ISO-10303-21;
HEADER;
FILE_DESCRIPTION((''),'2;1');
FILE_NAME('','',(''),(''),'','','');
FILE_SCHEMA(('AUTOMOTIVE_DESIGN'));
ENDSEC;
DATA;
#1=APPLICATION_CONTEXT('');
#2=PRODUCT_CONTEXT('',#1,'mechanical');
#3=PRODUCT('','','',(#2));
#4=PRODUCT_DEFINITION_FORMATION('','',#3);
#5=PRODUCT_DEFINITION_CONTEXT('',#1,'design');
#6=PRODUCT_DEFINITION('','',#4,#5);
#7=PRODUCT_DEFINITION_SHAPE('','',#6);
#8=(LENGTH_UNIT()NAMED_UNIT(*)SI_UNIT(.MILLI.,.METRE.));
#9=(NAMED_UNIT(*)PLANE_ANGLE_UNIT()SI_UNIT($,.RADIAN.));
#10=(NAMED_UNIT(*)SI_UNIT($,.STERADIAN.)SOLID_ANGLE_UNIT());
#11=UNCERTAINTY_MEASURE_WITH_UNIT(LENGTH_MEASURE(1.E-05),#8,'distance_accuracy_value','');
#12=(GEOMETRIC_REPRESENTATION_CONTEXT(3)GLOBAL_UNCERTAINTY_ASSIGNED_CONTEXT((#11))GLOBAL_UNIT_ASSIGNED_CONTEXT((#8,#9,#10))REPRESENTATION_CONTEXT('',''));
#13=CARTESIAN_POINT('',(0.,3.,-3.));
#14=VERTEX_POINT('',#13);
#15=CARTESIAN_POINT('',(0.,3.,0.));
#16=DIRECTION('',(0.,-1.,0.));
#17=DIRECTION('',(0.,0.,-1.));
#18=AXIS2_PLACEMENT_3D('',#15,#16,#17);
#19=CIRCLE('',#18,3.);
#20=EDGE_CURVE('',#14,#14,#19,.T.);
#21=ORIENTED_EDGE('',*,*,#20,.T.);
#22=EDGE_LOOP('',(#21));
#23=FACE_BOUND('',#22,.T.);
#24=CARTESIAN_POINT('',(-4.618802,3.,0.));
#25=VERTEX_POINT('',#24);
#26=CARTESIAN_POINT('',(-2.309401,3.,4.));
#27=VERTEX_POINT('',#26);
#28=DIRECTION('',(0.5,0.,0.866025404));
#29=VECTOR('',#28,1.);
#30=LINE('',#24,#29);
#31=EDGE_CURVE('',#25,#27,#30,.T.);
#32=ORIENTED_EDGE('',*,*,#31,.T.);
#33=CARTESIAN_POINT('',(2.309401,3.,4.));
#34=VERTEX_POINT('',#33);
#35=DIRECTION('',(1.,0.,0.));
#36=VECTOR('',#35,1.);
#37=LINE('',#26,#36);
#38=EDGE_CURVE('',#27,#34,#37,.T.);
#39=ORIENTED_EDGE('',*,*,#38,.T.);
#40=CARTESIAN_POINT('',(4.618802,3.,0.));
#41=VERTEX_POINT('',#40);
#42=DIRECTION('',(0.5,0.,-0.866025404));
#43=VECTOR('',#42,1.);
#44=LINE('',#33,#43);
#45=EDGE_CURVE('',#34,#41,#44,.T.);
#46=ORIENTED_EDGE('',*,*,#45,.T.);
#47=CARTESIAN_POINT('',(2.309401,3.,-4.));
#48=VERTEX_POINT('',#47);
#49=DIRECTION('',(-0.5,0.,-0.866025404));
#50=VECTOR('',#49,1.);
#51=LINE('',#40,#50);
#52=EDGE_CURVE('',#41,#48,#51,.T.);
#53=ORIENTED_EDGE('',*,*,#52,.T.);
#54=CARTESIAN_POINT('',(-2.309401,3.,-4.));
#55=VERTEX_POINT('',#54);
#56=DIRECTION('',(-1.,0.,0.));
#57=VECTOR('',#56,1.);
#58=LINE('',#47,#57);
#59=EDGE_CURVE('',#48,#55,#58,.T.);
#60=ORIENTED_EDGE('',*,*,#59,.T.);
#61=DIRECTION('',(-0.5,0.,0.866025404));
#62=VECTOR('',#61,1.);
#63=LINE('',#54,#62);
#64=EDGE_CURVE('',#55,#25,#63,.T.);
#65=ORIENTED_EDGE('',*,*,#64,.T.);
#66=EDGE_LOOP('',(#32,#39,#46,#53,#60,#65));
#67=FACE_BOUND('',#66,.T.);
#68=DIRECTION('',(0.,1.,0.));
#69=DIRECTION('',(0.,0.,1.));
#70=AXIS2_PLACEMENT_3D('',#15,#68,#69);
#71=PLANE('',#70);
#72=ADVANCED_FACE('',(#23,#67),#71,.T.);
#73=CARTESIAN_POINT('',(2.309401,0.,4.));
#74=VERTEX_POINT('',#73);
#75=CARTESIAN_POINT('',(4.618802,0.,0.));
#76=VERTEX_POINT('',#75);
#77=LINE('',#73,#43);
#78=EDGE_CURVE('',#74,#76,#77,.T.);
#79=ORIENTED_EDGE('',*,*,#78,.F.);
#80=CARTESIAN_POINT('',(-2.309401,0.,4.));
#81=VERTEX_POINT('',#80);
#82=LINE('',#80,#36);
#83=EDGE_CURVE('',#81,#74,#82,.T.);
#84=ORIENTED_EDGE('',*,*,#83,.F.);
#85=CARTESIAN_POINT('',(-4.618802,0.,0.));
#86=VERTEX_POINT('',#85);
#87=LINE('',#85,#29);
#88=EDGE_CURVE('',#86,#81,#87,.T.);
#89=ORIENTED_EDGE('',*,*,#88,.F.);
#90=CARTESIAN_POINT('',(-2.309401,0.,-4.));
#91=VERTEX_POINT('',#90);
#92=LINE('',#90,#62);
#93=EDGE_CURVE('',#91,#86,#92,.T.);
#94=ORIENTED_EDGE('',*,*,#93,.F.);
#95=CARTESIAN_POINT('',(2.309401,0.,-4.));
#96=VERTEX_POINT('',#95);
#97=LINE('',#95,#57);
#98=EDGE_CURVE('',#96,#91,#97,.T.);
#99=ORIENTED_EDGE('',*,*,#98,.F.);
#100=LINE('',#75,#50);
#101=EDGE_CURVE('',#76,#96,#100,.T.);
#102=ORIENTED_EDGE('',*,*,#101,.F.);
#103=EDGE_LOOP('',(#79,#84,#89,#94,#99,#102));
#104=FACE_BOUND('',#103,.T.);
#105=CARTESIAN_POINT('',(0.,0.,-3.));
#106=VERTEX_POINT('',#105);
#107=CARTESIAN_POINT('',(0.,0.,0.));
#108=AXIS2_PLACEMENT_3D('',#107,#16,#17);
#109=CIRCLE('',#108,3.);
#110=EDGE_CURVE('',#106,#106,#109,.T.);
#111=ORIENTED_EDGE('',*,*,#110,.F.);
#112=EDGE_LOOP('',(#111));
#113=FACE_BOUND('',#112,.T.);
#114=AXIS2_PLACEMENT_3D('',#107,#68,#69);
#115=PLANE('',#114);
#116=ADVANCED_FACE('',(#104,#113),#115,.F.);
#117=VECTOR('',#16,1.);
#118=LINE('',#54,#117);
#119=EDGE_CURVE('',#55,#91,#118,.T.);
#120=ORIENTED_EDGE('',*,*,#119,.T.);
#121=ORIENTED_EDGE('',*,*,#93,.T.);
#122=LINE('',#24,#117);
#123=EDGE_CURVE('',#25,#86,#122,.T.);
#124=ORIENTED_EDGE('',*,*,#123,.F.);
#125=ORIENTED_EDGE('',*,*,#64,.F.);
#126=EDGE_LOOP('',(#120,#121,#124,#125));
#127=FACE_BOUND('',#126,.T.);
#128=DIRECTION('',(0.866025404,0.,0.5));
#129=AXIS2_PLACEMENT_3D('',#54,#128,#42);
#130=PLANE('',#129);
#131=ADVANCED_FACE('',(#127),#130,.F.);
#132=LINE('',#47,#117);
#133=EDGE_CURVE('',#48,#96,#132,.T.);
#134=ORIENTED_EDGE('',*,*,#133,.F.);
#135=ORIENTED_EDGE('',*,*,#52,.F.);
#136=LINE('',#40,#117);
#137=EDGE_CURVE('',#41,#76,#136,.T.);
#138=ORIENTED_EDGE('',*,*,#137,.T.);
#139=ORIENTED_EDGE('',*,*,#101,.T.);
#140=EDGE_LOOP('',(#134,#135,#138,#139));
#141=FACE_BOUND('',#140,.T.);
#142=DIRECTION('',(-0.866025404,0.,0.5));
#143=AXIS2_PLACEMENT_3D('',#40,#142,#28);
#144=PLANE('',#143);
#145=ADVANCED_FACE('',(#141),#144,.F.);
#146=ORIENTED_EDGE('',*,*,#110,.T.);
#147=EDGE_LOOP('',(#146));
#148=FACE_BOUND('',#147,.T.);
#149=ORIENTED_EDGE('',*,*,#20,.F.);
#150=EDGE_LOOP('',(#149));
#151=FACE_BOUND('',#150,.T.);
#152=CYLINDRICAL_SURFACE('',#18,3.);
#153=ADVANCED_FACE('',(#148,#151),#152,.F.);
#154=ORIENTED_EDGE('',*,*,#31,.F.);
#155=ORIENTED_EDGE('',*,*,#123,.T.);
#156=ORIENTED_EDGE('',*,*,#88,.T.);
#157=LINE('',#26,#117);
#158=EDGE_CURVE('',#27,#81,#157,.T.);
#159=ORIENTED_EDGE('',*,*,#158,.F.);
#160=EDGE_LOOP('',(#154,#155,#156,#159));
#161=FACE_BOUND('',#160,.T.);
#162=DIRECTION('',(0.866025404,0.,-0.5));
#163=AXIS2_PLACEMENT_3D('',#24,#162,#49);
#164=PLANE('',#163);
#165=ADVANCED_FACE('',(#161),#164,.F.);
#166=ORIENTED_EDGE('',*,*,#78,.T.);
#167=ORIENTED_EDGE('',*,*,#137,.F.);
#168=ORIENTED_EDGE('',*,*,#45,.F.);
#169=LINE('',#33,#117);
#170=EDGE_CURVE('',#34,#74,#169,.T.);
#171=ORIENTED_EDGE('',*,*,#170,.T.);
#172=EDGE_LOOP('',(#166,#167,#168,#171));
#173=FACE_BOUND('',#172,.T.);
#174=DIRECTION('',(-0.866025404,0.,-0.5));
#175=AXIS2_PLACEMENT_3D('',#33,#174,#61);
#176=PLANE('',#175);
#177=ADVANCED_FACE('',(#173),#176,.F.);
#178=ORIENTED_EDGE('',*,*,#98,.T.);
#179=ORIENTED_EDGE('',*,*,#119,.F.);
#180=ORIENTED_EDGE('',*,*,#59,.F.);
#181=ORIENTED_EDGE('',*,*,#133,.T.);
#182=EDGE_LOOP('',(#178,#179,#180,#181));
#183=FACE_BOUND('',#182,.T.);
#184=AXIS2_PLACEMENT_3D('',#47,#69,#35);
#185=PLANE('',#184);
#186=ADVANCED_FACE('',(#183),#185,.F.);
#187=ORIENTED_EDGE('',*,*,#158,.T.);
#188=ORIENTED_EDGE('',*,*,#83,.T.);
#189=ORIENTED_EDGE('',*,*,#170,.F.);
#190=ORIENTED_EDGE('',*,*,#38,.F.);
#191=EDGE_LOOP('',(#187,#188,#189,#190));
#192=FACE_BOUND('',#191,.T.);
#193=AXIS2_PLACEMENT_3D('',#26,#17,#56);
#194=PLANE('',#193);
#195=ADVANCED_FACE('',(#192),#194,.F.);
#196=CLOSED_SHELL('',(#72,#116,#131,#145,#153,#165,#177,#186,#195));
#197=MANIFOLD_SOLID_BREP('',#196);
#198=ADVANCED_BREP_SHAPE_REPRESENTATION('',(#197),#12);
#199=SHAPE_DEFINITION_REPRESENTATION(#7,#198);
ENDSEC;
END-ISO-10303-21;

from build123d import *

# Parameters (mm, degrees)
EXTRUDE_1_DEPTH     = 3
SKETCH_2_R          = 3
CUT_EXTRUDE_1_DEPTH = 3


with BuildPart() as part:
    # 草圖1 → 填料-伸長1 (new body)
    with BuildSketch(Plane(origin=(0, 0, 0), x_dir=(1, 0, 0), z_dir=(0, 1, 0))):
        Polygon((4.618802154, 0), (2.309401077, 4), (-2.309401077, 4), (-4.618802154, 0), (-2.309401077, -4), (2.309401077, -4), align=None)
    extrude(amount=EXTRUDE_1_DEPTH)

    # 草圖2 → 除料-伸長1 (cut)
    with BuildSketch(Plane.XZ):
        Circle(SKETCH_2_R)
    extrude(amount=-CUT_EXTRUDE_1_DEPTH, mode=Mode.SUBTRACT)


solid = part.part
